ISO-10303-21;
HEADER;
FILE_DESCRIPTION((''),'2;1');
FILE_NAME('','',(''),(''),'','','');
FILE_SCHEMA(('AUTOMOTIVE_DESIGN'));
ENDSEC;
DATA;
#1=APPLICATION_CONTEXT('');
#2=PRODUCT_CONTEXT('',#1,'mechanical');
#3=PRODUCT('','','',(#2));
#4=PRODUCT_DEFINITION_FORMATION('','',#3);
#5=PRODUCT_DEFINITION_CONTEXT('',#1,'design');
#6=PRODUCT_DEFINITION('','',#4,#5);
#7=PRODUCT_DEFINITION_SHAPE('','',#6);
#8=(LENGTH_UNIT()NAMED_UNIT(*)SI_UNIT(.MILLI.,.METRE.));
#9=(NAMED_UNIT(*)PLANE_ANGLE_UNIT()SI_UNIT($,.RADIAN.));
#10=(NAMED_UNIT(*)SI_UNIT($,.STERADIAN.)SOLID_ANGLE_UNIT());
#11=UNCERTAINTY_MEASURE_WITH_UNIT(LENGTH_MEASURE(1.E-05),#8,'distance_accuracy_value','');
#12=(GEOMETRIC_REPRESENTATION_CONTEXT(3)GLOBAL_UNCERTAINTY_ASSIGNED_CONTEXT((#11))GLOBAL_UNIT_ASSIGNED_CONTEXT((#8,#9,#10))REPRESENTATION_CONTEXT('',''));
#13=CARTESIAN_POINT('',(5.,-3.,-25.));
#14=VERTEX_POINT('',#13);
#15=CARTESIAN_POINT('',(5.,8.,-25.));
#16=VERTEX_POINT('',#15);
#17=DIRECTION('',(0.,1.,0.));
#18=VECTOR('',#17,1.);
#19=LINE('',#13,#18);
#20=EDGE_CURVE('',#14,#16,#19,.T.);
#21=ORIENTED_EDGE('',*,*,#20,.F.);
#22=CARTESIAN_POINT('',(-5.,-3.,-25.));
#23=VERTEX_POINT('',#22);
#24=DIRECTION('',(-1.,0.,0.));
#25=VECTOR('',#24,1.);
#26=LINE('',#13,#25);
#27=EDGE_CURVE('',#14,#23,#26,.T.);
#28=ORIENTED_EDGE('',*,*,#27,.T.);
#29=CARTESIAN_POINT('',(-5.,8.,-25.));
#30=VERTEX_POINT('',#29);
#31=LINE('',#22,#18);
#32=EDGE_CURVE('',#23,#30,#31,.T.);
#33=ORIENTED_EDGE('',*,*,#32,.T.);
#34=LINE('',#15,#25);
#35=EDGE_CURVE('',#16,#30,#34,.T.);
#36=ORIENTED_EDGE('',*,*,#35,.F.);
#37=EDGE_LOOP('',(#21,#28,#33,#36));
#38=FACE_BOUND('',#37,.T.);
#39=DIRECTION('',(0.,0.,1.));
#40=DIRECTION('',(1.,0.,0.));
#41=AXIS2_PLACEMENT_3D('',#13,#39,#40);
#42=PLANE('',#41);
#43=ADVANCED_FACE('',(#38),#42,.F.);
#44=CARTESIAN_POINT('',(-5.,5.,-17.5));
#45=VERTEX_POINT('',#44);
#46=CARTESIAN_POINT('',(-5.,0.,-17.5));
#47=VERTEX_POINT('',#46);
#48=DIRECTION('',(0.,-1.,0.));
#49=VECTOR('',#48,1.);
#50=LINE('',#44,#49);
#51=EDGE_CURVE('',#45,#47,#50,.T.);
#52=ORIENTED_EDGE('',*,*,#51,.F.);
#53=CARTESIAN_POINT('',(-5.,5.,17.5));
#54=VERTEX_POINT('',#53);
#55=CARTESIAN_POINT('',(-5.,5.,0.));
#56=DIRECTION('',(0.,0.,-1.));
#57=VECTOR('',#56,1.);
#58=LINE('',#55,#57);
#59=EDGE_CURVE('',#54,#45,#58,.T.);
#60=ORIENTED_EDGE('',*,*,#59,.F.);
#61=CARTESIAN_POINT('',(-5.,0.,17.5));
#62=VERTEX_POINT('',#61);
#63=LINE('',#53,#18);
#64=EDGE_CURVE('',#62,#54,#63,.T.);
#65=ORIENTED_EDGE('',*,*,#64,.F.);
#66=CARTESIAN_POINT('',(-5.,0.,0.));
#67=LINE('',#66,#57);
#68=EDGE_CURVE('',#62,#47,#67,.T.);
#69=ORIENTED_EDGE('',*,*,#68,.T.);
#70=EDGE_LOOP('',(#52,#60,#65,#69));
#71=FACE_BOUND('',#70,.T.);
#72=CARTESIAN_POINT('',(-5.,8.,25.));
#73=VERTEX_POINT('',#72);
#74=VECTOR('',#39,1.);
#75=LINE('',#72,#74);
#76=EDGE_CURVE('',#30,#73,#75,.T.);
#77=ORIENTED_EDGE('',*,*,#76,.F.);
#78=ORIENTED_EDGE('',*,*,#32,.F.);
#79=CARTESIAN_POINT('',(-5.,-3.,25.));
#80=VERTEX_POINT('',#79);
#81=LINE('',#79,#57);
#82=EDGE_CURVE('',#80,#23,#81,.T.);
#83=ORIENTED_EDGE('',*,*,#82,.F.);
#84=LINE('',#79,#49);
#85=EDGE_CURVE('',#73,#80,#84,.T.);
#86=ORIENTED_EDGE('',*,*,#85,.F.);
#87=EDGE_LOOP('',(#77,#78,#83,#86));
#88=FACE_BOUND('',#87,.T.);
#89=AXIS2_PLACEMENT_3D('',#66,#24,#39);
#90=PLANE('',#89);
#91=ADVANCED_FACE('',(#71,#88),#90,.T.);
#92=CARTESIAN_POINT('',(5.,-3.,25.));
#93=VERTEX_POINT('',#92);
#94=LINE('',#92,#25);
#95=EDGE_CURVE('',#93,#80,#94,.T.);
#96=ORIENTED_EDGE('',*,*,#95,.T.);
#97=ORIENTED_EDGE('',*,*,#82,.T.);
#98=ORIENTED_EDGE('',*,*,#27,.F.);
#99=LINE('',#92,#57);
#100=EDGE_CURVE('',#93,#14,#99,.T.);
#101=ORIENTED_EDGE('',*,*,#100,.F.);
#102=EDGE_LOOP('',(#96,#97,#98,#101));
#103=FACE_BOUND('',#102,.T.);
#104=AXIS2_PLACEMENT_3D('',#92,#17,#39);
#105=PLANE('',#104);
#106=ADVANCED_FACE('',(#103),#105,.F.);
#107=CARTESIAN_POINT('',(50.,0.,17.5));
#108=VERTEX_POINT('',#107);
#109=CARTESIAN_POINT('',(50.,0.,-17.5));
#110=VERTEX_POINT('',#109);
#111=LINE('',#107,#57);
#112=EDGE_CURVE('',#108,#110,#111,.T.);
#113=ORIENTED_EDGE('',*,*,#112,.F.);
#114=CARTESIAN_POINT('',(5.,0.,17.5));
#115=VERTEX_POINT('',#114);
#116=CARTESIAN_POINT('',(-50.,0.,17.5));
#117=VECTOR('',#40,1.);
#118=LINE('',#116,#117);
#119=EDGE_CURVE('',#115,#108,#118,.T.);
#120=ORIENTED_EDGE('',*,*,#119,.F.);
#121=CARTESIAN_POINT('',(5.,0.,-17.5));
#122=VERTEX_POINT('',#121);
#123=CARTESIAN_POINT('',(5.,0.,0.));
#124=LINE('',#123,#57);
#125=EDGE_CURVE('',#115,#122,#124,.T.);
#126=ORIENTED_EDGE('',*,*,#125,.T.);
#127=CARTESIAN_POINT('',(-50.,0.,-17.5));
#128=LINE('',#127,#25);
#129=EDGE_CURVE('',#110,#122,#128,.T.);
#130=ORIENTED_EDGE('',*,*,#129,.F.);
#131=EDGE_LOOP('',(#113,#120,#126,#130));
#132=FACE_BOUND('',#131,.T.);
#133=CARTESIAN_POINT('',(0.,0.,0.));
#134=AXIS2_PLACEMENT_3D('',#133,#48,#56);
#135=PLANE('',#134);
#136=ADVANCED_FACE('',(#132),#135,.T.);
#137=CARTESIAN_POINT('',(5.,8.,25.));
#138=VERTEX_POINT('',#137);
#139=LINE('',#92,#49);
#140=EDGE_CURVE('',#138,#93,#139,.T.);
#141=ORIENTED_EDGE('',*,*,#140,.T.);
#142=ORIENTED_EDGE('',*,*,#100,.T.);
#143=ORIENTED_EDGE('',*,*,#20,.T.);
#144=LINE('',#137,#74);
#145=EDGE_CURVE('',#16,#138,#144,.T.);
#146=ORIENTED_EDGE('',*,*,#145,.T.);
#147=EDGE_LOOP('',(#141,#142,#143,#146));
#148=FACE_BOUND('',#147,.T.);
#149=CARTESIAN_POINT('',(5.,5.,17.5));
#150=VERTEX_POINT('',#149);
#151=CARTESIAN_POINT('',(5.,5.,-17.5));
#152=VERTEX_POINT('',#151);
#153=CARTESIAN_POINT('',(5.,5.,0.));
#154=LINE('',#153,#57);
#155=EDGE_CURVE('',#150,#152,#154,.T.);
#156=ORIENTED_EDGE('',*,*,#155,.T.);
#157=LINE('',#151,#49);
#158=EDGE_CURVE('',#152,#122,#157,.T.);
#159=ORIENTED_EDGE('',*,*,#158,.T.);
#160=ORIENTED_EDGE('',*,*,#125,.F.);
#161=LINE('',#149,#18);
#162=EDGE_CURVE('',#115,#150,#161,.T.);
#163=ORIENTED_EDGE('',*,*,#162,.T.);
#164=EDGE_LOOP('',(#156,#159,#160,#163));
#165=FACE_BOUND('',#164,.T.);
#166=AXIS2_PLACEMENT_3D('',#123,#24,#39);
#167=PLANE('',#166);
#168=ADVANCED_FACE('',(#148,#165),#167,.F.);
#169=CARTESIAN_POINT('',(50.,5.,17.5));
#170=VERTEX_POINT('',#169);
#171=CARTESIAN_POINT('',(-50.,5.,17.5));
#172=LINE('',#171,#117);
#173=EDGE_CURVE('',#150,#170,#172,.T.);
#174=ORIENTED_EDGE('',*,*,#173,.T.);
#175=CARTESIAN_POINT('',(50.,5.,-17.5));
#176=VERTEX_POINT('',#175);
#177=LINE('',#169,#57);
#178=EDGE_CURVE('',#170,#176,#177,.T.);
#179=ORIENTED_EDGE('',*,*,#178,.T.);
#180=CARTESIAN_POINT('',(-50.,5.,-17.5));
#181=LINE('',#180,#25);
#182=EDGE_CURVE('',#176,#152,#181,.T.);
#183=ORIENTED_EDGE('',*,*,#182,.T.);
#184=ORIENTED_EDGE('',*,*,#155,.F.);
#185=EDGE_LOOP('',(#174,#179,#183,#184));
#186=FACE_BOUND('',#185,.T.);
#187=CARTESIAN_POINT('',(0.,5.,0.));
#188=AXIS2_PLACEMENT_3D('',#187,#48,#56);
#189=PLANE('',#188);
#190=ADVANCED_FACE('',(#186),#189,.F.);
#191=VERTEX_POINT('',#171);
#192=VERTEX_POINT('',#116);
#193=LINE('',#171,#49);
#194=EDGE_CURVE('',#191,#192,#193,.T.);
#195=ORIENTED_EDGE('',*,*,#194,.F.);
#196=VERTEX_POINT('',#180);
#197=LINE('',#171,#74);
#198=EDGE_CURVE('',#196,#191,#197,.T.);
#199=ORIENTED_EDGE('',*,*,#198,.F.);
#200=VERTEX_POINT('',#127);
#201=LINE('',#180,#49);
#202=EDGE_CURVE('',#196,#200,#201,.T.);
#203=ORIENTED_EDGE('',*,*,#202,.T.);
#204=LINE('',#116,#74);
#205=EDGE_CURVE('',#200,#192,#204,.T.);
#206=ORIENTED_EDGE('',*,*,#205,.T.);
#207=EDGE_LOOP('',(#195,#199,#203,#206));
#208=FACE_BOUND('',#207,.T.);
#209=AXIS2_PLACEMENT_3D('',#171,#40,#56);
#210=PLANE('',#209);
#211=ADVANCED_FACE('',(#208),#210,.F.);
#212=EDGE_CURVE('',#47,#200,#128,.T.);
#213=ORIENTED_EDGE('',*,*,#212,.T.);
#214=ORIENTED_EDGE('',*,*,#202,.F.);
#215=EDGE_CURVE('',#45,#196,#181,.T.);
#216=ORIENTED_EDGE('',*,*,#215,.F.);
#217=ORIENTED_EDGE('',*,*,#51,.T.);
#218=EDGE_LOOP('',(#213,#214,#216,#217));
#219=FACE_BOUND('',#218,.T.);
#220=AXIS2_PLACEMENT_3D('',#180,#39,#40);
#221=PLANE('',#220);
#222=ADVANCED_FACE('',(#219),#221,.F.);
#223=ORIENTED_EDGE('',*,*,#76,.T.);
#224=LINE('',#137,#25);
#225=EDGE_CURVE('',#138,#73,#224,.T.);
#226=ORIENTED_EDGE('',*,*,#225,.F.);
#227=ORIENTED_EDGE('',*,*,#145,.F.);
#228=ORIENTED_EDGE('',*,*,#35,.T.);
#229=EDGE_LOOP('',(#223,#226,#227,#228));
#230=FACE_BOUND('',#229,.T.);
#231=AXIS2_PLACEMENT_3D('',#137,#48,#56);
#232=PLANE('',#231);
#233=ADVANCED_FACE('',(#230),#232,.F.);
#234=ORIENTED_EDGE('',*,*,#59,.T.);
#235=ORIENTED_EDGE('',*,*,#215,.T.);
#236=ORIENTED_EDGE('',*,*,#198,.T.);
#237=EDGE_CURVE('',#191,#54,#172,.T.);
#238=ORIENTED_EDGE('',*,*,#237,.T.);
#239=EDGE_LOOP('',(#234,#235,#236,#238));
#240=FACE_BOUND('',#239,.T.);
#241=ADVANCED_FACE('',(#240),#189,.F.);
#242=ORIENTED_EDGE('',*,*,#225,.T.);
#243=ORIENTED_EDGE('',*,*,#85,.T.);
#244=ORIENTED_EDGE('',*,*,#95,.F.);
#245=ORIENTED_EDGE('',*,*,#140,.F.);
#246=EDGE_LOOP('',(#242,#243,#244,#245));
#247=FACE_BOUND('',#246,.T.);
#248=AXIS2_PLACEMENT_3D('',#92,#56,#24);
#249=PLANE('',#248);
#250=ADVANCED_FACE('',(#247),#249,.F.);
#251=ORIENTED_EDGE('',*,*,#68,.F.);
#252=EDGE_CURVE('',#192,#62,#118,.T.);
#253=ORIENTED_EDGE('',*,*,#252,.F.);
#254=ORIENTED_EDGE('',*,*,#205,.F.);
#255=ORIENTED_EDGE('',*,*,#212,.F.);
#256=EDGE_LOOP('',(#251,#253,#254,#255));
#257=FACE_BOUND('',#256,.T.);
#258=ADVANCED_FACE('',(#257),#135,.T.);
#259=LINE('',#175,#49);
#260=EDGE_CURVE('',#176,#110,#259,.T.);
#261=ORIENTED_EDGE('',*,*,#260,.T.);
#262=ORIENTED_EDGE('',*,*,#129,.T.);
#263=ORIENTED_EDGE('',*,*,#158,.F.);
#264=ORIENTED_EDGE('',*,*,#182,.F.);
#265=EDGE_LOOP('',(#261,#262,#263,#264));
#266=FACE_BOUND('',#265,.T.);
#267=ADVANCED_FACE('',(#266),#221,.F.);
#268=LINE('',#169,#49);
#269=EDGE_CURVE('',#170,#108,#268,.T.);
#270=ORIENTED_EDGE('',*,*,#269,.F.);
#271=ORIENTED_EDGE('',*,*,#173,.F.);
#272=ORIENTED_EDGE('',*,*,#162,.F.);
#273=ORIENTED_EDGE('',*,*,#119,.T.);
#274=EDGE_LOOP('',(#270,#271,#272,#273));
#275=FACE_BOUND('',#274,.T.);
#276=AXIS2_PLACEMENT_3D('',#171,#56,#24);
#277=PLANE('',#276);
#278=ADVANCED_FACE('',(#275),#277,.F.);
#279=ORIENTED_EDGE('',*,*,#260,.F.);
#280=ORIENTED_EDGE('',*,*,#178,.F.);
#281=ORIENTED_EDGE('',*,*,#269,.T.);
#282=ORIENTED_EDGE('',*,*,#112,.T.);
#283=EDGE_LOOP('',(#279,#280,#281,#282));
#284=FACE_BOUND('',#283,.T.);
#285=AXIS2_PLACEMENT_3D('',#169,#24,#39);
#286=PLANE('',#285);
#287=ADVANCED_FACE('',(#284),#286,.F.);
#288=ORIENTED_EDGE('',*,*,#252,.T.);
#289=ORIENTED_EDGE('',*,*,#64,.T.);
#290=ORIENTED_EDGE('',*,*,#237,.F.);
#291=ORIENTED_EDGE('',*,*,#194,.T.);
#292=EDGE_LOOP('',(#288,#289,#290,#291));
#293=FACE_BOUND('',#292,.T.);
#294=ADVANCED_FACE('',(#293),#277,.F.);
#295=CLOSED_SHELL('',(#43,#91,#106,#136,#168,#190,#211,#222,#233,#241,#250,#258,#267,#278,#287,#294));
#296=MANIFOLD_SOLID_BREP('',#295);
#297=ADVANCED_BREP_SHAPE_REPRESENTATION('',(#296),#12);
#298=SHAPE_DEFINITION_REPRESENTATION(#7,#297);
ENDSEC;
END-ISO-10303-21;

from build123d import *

# Parameters (mm, degrees)
SKETCH_1_W      = 100
SKETCH_1_H      = 35
EXTRUDE_1_DEPTH = 5
SKETCH_3_W      = 50
SKETCH_3_H      = 11
EXTRUDE_2_DEPTH = 5


with BuildPart() as part:
    # 草图1 → 凸台-拉伸1 (new body)
    with BuildSketch(Plane(origin=(0, 0, 0), x_dir=(1, 0, 0), z_dir=(0, 1, 0))):
        Rectangle(SKETCH_1_W, SKETCH_1_H)
    extrude(amount=EXTRUDE_1_DEPTH)

    # 草图3 → 凸台-拉伸2 (add, symmetric)
    with BuildSketch(Plane(origin=(0, 0, 0), x_dir=(0, 0, -1), z_dir=(1, 0, 0))):
        with Locations((0, 2.5)):
            Rectangle(SKETCH_3_W, SKETCH_3_H)
    extrude(amount=EXTRUDE_2_DEPTH, both=True)


solid = part.part
